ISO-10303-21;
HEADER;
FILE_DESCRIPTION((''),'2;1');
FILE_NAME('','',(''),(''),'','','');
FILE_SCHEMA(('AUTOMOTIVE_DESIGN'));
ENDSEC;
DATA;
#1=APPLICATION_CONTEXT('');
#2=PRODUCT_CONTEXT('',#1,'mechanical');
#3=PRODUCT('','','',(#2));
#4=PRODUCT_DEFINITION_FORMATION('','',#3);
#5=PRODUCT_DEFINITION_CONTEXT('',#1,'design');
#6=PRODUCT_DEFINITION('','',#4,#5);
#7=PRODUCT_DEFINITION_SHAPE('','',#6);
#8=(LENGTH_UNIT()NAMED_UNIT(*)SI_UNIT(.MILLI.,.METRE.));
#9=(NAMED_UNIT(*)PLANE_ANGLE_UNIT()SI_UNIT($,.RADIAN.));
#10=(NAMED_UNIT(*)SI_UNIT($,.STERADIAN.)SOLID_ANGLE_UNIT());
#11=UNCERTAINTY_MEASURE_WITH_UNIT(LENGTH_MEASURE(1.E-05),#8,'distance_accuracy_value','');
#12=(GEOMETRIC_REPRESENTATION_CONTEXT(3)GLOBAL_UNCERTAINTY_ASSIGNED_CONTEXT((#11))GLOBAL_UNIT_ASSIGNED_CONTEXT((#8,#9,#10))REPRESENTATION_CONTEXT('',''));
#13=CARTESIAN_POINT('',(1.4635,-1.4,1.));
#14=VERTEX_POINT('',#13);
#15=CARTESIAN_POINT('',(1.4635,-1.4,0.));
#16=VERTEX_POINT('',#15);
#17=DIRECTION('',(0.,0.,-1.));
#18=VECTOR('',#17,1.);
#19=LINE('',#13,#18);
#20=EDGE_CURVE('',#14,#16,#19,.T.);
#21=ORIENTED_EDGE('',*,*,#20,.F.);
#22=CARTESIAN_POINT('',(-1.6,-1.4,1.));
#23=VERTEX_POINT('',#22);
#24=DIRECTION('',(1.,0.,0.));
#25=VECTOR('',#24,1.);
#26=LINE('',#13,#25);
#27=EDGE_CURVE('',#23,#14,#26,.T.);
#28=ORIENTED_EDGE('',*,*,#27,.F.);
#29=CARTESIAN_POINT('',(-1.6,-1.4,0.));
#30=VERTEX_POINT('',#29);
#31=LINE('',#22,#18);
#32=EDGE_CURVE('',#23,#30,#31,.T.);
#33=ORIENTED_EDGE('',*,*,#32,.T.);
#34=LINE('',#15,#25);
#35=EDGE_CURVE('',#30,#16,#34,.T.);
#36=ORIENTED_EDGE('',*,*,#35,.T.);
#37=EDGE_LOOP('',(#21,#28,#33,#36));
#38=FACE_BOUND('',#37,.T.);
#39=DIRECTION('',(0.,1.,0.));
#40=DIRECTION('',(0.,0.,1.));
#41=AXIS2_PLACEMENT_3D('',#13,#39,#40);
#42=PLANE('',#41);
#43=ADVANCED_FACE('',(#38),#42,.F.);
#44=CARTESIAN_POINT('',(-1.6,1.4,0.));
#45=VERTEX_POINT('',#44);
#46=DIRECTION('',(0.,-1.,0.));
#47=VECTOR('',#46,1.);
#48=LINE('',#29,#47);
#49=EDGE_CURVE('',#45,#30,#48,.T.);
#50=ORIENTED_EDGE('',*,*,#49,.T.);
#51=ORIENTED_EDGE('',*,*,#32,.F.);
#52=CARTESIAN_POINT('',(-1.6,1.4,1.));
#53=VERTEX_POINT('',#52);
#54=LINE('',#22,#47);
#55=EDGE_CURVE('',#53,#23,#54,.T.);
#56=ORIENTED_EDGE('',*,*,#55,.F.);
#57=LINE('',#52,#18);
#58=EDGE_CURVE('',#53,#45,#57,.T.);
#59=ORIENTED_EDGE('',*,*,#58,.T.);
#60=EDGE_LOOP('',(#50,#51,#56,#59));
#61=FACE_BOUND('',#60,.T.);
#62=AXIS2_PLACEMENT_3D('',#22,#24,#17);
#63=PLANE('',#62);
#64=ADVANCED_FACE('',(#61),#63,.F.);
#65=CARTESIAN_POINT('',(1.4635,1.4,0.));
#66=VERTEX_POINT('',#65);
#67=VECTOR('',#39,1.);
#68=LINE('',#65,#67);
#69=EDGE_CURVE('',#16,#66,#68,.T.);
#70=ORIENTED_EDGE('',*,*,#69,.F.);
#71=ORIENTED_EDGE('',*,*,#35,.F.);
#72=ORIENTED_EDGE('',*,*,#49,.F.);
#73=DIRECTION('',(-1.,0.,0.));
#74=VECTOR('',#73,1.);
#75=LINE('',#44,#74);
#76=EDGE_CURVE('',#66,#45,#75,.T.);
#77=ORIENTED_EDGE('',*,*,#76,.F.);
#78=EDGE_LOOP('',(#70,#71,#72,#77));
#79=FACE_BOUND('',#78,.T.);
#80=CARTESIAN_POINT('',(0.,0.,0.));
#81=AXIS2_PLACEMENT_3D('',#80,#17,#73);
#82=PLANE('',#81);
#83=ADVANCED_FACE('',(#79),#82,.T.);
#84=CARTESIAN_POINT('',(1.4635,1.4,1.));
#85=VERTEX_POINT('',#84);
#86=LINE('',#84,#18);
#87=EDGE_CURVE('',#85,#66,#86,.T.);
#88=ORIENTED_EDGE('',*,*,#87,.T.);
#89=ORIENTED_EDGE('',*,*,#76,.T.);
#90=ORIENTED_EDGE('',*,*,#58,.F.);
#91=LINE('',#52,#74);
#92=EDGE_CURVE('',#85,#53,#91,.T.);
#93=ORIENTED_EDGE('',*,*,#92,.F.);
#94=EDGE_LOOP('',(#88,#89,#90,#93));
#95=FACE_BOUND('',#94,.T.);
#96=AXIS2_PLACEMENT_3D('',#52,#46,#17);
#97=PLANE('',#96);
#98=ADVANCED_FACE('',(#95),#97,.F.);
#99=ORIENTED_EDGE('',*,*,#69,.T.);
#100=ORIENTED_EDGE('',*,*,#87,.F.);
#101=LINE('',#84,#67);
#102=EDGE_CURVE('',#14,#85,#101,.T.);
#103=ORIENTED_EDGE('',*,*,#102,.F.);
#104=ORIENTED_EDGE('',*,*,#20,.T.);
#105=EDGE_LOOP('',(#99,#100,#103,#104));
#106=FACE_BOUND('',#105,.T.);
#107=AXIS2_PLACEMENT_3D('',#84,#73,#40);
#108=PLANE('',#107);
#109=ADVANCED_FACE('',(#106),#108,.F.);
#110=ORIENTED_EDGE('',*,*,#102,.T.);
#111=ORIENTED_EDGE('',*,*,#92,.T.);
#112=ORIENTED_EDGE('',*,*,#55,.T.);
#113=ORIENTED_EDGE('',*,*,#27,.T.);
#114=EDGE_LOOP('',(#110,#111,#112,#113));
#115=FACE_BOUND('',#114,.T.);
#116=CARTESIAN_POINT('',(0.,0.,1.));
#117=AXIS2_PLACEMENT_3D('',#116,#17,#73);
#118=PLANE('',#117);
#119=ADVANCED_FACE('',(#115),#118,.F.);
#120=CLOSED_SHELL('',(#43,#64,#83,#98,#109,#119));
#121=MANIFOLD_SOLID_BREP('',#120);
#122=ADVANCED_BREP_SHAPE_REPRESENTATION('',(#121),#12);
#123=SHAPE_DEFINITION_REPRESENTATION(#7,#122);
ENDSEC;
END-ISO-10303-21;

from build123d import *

# Parameters (mm, degrees)
SKETCH1_W               = 3.0635
SKETCH1_H               = 2.8
COMPONENT_OUTLINE_DEPTH = 1


with BuildPart() as part:
    # Sketch1 → Component_Outline (new body)
    with BuildSketch(Plane.XY):
        with Locations((-0.06825, 0)):
            Rectangle(SKETCH1_W, SKETCH1_H)
    extrude(amount=COMPONENT_OUTLINE_DEPTH)


solid = part.part
